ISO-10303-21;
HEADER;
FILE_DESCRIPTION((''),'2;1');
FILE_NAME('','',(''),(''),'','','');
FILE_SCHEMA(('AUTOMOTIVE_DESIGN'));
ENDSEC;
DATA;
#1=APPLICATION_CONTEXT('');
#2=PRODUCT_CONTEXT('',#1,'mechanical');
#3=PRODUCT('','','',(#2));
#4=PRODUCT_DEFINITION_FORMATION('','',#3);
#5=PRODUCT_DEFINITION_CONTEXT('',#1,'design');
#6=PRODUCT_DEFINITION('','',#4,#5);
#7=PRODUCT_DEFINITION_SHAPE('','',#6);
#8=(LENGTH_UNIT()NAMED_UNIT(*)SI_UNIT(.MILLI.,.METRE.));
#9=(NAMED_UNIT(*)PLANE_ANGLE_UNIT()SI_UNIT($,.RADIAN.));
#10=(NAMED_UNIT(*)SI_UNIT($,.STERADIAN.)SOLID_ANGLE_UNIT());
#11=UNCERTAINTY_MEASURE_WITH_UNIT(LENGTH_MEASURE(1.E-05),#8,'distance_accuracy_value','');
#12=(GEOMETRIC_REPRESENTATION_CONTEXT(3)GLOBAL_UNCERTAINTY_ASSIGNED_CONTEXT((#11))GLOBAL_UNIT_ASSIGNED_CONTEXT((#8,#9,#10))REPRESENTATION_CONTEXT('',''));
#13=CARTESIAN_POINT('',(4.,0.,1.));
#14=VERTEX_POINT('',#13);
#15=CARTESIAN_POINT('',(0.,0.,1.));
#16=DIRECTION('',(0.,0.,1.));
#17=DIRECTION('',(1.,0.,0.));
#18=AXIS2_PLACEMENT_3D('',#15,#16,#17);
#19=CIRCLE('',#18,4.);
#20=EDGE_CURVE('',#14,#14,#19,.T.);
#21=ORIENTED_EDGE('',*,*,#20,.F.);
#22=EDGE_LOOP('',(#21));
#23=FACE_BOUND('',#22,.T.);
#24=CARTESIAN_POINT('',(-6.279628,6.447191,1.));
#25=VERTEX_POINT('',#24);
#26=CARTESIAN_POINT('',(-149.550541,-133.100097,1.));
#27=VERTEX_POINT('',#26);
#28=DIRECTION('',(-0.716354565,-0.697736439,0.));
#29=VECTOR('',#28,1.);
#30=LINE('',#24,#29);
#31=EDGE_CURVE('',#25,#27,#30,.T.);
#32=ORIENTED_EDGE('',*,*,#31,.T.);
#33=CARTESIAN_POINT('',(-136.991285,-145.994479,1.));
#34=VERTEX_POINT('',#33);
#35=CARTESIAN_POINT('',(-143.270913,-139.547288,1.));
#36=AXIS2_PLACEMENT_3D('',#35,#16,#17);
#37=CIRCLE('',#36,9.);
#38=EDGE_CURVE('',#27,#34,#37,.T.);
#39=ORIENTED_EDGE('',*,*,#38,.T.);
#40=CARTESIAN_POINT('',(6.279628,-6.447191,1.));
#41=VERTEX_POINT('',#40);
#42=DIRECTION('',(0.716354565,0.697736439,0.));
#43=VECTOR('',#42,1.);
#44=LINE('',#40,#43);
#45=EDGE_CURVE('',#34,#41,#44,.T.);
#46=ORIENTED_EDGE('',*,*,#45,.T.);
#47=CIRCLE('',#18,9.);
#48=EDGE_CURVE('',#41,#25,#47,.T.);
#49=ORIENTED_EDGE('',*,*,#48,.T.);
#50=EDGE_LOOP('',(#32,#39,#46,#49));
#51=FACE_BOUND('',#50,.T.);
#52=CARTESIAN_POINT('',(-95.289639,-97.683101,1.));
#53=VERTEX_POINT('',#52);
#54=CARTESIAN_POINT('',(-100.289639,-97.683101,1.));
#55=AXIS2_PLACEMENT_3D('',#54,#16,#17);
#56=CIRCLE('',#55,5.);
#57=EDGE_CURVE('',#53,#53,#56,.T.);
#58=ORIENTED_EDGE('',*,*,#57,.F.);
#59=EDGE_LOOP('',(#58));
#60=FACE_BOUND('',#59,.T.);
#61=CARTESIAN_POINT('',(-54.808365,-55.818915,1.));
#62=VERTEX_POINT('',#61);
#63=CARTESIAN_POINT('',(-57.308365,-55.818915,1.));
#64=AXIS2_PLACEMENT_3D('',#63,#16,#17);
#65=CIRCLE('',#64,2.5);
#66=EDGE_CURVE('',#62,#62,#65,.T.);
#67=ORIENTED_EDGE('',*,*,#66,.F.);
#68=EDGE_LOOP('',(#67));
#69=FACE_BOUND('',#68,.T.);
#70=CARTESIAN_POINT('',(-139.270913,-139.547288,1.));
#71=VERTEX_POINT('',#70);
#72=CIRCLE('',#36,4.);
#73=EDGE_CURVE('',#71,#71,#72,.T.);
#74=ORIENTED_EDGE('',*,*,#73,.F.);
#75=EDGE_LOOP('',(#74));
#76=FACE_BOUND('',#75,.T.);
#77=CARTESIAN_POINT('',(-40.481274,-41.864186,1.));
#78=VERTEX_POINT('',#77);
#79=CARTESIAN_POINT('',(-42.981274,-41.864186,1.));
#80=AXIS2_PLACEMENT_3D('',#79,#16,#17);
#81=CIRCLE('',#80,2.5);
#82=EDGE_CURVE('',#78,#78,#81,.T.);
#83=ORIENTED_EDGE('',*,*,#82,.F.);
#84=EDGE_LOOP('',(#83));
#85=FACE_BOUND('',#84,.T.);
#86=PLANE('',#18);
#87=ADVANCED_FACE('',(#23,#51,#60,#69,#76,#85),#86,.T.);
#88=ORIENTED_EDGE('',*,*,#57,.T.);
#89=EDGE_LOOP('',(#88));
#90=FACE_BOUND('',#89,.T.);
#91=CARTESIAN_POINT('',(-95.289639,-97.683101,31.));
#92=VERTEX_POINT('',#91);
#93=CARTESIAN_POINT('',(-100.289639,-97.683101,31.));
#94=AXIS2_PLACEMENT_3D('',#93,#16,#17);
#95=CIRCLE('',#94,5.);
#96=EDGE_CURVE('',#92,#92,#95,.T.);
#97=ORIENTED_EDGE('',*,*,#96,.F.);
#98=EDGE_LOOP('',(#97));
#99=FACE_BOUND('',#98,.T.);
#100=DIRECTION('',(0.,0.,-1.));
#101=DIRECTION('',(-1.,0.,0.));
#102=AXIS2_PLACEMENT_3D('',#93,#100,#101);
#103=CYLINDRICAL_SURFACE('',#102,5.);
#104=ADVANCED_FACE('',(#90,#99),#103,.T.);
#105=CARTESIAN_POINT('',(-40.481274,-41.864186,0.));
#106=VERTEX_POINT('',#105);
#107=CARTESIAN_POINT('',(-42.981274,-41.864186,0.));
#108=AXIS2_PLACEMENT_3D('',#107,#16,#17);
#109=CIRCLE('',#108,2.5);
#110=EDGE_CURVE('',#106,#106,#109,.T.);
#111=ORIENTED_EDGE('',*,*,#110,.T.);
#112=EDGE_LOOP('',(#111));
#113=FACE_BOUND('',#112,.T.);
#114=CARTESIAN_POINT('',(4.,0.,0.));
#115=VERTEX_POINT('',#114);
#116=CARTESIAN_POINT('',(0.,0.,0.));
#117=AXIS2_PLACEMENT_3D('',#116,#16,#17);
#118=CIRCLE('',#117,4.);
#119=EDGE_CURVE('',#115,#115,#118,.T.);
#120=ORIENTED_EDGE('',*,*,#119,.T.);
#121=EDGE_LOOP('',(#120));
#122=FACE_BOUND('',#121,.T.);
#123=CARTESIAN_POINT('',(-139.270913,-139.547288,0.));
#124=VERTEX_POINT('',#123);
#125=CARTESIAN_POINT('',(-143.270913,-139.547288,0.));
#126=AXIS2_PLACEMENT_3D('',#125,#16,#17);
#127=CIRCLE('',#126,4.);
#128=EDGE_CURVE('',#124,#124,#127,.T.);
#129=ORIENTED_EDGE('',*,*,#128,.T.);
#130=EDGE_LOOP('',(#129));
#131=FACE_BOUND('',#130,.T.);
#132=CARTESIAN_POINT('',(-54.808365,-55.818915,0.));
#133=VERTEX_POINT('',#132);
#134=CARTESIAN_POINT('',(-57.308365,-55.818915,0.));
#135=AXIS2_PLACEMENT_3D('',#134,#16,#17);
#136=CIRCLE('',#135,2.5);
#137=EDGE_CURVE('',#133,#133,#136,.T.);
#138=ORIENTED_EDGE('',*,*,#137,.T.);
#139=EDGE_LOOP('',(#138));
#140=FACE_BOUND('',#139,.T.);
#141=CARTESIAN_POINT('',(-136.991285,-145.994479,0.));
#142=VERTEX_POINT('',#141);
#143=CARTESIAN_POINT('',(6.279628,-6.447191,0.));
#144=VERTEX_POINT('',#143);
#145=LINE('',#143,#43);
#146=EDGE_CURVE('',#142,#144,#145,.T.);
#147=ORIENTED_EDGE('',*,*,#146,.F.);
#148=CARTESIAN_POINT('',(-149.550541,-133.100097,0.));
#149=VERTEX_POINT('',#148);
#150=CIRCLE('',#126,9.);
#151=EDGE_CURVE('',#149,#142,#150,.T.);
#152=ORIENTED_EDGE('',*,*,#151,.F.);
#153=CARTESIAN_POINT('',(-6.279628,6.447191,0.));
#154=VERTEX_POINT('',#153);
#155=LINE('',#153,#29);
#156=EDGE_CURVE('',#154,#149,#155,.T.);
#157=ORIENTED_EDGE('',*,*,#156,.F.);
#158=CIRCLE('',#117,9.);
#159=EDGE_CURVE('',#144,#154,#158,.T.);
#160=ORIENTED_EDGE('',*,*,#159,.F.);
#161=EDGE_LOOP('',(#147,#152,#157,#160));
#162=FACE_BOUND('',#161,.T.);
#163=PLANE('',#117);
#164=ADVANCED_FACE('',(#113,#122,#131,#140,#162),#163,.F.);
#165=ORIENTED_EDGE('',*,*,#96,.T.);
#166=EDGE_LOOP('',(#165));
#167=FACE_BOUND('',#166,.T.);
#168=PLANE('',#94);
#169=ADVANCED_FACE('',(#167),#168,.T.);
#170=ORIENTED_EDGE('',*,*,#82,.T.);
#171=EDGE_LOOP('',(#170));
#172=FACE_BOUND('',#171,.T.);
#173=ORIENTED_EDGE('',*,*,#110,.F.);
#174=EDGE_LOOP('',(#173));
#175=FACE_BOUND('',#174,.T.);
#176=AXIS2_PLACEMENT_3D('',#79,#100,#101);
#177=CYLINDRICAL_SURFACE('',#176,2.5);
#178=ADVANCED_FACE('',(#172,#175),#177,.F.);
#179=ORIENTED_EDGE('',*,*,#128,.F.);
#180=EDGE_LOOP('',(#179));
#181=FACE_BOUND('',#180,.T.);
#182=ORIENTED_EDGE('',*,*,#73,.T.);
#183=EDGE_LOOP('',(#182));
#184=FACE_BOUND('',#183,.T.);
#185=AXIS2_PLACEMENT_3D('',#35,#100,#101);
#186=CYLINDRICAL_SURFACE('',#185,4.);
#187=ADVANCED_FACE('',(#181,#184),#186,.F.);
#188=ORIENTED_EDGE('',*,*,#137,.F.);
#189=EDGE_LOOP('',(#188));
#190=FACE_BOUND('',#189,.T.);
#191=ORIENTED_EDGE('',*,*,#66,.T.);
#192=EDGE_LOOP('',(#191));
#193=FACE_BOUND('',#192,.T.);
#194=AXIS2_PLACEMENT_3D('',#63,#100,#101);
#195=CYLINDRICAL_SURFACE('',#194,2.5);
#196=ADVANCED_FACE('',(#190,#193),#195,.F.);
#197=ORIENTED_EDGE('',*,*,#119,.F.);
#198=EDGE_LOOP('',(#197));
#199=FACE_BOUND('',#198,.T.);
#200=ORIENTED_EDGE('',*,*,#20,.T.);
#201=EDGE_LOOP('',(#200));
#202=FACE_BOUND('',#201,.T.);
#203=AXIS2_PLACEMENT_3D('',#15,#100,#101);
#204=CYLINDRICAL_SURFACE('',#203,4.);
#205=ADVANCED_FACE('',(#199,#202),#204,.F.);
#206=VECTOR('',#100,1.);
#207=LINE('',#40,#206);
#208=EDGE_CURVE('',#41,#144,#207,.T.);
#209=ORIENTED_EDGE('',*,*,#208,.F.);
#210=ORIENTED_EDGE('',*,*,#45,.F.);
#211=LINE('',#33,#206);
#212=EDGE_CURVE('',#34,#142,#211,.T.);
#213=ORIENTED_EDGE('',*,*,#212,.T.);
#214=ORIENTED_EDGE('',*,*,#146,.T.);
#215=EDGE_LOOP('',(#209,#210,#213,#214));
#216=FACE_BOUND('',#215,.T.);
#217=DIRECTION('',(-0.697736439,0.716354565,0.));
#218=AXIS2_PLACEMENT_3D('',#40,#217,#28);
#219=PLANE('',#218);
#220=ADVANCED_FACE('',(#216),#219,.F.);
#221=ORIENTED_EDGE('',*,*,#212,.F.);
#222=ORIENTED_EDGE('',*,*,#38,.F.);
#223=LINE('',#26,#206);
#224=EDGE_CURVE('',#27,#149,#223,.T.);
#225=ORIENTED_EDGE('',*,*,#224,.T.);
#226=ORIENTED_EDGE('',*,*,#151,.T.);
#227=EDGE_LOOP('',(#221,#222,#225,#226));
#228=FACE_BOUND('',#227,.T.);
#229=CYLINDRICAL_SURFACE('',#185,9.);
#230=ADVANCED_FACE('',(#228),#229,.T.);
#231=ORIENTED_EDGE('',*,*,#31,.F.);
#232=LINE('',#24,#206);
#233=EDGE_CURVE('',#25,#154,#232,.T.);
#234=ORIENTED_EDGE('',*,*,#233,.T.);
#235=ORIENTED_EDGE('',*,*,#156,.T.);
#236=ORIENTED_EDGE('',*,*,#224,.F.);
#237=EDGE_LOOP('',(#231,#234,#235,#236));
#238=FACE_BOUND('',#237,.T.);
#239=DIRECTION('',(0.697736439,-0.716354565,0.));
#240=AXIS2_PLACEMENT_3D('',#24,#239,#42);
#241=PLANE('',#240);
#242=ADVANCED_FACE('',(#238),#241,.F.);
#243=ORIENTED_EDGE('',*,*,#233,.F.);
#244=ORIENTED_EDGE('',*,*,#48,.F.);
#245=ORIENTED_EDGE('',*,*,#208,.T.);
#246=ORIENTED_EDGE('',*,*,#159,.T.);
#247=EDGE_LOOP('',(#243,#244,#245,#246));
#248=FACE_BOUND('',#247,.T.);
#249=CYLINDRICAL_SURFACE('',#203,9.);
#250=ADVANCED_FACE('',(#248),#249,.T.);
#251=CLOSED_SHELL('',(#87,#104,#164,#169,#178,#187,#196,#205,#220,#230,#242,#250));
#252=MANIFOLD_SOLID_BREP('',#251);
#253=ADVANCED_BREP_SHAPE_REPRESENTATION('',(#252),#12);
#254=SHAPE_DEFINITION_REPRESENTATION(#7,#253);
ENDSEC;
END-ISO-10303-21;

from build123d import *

# Parameters (mm, degrees)
SKETCH1_R           = 4
SKETCH1_R_2         = 2.5
BOSS_EXTRUDE1_DEPTH = 1
SKETCH2_R           = 5
BOSS_EXTRUDE2_DEPTH = 30


with BuildPart() as part:
    # Sketch1 → Boss-Extrude1 (new body)
    with BuildSketch(Plane.XY):
        with BuildLine():
            Line((6.279627947, -6.447191082), (-136.991284981, -145.994478797))
            ThreePointArc((-136.991284981, -145.994478797), (-149.71810401, -145.826915663), (-149.550540875, -133.100096634))
            Line((-149.550540875, -133.100096634), (-6.279627947, 6.447191082))
            ThreePointArc((-6.279627947, 6.447191082), (6.447191082, 6.279627947), (6.279627947, -6.447191082))
        make_face()
        Circle(SKETCH1_R, mode=Mode.SUBTRACT)
        with Locations((-143.270912928, -139.547287716)):
            Circle(SKETCH1_R, mode=Mode.SUBTRACT)
        with Locations((-42.981273878, -41.864186315)):
            Circle(SKETCH1_R_2, mode=Mode.SUBTRACT)
        with Locations((-57.308365171, -55.818915086)):
            Circle(SKETCH1_R_2, mode=Mode.SUBTRACT)
    extrude(amount=BOSS_EXTRUDE1_DEPTH)

    # Sketch2 → Boss-Extrude2 (add)
    with BuildSketch(Plane.XY.offset(1)):
        with Locations((-100.28963905, -97.683101401)):
            Circle(SKETCH2_R)
    extrude(amount=BOSS_EXTRUDE2_DEPTH)


solid = part.part
